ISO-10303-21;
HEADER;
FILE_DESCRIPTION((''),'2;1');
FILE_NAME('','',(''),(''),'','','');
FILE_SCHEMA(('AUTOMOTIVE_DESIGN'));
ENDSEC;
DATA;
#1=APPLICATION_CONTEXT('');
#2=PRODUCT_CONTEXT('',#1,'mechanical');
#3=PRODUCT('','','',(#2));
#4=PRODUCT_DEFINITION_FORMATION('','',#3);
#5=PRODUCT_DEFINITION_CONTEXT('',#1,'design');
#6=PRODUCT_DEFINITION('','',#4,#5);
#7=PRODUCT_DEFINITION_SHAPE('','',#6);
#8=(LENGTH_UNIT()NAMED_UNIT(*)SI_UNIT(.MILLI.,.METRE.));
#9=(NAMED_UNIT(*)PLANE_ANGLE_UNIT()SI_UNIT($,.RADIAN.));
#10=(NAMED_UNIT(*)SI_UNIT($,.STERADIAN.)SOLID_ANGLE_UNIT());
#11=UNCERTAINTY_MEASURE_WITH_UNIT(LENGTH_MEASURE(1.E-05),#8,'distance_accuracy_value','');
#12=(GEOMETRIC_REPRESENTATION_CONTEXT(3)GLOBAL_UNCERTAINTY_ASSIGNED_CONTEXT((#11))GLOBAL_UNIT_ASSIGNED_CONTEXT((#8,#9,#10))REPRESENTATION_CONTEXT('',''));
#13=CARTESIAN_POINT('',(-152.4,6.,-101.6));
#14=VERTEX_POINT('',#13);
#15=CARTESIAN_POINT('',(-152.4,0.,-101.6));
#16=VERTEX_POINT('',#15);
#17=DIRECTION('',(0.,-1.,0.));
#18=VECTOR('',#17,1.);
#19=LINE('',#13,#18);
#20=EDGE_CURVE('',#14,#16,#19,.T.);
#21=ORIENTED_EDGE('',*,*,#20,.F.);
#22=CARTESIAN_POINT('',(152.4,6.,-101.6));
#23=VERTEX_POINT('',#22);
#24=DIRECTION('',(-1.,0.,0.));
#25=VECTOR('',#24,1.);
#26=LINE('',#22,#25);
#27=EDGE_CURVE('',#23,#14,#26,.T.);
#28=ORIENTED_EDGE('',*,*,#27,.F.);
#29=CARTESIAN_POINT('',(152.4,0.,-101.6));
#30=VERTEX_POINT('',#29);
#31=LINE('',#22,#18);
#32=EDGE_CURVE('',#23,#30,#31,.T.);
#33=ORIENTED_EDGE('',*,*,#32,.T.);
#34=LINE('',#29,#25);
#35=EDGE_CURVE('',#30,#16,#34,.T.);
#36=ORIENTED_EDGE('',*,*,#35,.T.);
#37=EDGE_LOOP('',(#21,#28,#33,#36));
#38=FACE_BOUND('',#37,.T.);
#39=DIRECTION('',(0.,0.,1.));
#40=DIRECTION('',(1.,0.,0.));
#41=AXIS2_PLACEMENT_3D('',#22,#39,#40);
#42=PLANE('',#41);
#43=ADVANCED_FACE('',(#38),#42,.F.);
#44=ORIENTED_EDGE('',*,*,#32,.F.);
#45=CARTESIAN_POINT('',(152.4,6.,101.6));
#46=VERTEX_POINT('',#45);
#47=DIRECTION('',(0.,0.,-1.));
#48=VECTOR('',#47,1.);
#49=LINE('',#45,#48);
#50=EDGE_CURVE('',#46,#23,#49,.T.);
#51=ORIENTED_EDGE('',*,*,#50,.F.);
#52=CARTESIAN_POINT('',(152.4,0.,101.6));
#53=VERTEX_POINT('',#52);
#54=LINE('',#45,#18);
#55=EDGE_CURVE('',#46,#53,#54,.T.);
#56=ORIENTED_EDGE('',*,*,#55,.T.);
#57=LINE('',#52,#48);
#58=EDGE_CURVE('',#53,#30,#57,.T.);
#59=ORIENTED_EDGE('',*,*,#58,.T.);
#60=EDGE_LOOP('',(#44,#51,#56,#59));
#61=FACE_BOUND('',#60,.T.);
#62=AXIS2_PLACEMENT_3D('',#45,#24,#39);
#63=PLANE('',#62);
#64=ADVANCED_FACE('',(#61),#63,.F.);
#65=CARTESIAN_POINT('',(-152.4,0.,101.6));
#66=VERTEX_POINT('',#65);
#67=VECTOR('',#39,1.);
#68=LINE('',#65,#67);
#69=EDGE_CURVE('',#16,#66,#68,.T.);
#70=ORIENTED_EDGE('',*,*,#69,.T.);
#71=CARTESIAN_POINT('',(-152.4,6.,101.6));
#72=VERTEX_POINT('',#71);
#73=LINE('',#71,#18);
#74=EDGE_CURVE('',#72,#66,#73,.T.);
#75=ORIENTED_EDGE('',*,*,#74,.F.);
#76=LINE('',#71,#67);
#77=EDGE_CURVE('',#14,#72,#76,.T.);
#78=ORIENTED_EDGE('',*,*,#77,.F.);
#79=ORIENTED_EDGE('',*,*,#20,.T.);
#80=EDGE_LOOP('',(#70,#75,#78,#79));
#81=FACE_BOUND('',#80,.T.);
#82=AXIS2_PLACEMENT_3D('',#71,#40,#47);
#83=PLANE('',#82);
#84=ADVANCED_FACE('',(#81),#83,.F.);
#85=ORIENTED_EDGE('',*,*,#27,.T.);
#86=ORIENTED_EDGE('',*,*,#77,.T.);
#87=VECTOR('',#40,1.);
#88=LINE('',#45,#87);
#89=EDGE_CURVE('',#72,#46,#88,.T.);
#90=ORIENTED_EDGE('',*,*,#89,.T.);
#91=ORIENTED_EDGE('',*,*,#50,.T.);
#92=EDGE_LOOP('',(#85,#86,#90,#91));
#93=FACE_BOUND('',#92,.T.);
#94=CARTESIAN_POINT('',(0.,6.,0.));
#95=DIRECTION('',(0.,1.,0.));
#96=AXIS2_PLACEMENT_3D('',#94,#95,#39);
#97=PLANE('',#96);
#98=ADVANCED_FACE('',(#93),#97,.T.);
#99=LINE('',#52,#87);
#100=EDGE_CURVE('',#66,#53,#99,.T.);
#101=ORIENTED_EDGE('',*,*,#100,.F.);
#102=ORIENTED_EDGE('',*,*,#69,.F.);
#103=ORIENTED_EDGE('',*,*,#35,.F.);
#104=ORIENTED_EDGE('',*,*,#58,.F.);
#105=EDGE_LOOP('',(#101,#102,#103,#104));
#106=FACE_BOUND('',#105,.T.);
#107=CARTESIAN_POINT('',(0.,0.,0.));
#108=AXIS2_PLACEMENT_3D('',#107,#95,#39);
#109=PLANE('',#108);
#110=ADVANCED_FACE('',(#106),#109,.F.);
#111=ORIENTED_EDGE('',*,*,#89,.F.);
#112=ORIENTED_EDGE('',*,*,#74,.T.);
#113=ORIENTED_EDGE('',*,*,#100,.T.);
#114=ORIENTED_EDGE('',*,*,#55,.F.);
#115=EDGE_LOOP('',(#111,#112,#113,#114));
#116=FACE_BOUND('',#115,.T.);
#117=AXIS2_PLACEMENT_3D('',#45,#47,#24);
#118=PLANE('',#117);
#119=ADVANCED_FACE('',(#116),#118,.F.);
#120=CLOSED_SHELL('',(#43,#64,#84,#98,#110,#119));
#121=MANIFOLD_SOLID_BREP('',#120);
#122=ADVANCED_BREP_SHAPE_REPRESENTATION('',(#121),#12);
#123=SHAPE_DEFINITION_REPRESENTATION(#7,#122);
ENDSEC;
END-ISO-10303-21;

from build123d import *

# Parameters (mm, degrees)
SKETCH4_W           = 304.8
SKETCH4_H           = 203.2
BOSS_EXTRUDE2_DEPTH = 6


with BuildPart() as part:
    # Sketch4 → Boss-Extrude2 (new body)
    with BuildSketch(Plane(origin=(0, 0, 0), x_dir=(1, 0, 0), z_dir=(0, 1, 0))):
        Rectangle(SKETCH4_W, SKETCH4_H)
    extrude(amount=BOSS_EXTRUDE2_DEPTH)


solid = part.part
